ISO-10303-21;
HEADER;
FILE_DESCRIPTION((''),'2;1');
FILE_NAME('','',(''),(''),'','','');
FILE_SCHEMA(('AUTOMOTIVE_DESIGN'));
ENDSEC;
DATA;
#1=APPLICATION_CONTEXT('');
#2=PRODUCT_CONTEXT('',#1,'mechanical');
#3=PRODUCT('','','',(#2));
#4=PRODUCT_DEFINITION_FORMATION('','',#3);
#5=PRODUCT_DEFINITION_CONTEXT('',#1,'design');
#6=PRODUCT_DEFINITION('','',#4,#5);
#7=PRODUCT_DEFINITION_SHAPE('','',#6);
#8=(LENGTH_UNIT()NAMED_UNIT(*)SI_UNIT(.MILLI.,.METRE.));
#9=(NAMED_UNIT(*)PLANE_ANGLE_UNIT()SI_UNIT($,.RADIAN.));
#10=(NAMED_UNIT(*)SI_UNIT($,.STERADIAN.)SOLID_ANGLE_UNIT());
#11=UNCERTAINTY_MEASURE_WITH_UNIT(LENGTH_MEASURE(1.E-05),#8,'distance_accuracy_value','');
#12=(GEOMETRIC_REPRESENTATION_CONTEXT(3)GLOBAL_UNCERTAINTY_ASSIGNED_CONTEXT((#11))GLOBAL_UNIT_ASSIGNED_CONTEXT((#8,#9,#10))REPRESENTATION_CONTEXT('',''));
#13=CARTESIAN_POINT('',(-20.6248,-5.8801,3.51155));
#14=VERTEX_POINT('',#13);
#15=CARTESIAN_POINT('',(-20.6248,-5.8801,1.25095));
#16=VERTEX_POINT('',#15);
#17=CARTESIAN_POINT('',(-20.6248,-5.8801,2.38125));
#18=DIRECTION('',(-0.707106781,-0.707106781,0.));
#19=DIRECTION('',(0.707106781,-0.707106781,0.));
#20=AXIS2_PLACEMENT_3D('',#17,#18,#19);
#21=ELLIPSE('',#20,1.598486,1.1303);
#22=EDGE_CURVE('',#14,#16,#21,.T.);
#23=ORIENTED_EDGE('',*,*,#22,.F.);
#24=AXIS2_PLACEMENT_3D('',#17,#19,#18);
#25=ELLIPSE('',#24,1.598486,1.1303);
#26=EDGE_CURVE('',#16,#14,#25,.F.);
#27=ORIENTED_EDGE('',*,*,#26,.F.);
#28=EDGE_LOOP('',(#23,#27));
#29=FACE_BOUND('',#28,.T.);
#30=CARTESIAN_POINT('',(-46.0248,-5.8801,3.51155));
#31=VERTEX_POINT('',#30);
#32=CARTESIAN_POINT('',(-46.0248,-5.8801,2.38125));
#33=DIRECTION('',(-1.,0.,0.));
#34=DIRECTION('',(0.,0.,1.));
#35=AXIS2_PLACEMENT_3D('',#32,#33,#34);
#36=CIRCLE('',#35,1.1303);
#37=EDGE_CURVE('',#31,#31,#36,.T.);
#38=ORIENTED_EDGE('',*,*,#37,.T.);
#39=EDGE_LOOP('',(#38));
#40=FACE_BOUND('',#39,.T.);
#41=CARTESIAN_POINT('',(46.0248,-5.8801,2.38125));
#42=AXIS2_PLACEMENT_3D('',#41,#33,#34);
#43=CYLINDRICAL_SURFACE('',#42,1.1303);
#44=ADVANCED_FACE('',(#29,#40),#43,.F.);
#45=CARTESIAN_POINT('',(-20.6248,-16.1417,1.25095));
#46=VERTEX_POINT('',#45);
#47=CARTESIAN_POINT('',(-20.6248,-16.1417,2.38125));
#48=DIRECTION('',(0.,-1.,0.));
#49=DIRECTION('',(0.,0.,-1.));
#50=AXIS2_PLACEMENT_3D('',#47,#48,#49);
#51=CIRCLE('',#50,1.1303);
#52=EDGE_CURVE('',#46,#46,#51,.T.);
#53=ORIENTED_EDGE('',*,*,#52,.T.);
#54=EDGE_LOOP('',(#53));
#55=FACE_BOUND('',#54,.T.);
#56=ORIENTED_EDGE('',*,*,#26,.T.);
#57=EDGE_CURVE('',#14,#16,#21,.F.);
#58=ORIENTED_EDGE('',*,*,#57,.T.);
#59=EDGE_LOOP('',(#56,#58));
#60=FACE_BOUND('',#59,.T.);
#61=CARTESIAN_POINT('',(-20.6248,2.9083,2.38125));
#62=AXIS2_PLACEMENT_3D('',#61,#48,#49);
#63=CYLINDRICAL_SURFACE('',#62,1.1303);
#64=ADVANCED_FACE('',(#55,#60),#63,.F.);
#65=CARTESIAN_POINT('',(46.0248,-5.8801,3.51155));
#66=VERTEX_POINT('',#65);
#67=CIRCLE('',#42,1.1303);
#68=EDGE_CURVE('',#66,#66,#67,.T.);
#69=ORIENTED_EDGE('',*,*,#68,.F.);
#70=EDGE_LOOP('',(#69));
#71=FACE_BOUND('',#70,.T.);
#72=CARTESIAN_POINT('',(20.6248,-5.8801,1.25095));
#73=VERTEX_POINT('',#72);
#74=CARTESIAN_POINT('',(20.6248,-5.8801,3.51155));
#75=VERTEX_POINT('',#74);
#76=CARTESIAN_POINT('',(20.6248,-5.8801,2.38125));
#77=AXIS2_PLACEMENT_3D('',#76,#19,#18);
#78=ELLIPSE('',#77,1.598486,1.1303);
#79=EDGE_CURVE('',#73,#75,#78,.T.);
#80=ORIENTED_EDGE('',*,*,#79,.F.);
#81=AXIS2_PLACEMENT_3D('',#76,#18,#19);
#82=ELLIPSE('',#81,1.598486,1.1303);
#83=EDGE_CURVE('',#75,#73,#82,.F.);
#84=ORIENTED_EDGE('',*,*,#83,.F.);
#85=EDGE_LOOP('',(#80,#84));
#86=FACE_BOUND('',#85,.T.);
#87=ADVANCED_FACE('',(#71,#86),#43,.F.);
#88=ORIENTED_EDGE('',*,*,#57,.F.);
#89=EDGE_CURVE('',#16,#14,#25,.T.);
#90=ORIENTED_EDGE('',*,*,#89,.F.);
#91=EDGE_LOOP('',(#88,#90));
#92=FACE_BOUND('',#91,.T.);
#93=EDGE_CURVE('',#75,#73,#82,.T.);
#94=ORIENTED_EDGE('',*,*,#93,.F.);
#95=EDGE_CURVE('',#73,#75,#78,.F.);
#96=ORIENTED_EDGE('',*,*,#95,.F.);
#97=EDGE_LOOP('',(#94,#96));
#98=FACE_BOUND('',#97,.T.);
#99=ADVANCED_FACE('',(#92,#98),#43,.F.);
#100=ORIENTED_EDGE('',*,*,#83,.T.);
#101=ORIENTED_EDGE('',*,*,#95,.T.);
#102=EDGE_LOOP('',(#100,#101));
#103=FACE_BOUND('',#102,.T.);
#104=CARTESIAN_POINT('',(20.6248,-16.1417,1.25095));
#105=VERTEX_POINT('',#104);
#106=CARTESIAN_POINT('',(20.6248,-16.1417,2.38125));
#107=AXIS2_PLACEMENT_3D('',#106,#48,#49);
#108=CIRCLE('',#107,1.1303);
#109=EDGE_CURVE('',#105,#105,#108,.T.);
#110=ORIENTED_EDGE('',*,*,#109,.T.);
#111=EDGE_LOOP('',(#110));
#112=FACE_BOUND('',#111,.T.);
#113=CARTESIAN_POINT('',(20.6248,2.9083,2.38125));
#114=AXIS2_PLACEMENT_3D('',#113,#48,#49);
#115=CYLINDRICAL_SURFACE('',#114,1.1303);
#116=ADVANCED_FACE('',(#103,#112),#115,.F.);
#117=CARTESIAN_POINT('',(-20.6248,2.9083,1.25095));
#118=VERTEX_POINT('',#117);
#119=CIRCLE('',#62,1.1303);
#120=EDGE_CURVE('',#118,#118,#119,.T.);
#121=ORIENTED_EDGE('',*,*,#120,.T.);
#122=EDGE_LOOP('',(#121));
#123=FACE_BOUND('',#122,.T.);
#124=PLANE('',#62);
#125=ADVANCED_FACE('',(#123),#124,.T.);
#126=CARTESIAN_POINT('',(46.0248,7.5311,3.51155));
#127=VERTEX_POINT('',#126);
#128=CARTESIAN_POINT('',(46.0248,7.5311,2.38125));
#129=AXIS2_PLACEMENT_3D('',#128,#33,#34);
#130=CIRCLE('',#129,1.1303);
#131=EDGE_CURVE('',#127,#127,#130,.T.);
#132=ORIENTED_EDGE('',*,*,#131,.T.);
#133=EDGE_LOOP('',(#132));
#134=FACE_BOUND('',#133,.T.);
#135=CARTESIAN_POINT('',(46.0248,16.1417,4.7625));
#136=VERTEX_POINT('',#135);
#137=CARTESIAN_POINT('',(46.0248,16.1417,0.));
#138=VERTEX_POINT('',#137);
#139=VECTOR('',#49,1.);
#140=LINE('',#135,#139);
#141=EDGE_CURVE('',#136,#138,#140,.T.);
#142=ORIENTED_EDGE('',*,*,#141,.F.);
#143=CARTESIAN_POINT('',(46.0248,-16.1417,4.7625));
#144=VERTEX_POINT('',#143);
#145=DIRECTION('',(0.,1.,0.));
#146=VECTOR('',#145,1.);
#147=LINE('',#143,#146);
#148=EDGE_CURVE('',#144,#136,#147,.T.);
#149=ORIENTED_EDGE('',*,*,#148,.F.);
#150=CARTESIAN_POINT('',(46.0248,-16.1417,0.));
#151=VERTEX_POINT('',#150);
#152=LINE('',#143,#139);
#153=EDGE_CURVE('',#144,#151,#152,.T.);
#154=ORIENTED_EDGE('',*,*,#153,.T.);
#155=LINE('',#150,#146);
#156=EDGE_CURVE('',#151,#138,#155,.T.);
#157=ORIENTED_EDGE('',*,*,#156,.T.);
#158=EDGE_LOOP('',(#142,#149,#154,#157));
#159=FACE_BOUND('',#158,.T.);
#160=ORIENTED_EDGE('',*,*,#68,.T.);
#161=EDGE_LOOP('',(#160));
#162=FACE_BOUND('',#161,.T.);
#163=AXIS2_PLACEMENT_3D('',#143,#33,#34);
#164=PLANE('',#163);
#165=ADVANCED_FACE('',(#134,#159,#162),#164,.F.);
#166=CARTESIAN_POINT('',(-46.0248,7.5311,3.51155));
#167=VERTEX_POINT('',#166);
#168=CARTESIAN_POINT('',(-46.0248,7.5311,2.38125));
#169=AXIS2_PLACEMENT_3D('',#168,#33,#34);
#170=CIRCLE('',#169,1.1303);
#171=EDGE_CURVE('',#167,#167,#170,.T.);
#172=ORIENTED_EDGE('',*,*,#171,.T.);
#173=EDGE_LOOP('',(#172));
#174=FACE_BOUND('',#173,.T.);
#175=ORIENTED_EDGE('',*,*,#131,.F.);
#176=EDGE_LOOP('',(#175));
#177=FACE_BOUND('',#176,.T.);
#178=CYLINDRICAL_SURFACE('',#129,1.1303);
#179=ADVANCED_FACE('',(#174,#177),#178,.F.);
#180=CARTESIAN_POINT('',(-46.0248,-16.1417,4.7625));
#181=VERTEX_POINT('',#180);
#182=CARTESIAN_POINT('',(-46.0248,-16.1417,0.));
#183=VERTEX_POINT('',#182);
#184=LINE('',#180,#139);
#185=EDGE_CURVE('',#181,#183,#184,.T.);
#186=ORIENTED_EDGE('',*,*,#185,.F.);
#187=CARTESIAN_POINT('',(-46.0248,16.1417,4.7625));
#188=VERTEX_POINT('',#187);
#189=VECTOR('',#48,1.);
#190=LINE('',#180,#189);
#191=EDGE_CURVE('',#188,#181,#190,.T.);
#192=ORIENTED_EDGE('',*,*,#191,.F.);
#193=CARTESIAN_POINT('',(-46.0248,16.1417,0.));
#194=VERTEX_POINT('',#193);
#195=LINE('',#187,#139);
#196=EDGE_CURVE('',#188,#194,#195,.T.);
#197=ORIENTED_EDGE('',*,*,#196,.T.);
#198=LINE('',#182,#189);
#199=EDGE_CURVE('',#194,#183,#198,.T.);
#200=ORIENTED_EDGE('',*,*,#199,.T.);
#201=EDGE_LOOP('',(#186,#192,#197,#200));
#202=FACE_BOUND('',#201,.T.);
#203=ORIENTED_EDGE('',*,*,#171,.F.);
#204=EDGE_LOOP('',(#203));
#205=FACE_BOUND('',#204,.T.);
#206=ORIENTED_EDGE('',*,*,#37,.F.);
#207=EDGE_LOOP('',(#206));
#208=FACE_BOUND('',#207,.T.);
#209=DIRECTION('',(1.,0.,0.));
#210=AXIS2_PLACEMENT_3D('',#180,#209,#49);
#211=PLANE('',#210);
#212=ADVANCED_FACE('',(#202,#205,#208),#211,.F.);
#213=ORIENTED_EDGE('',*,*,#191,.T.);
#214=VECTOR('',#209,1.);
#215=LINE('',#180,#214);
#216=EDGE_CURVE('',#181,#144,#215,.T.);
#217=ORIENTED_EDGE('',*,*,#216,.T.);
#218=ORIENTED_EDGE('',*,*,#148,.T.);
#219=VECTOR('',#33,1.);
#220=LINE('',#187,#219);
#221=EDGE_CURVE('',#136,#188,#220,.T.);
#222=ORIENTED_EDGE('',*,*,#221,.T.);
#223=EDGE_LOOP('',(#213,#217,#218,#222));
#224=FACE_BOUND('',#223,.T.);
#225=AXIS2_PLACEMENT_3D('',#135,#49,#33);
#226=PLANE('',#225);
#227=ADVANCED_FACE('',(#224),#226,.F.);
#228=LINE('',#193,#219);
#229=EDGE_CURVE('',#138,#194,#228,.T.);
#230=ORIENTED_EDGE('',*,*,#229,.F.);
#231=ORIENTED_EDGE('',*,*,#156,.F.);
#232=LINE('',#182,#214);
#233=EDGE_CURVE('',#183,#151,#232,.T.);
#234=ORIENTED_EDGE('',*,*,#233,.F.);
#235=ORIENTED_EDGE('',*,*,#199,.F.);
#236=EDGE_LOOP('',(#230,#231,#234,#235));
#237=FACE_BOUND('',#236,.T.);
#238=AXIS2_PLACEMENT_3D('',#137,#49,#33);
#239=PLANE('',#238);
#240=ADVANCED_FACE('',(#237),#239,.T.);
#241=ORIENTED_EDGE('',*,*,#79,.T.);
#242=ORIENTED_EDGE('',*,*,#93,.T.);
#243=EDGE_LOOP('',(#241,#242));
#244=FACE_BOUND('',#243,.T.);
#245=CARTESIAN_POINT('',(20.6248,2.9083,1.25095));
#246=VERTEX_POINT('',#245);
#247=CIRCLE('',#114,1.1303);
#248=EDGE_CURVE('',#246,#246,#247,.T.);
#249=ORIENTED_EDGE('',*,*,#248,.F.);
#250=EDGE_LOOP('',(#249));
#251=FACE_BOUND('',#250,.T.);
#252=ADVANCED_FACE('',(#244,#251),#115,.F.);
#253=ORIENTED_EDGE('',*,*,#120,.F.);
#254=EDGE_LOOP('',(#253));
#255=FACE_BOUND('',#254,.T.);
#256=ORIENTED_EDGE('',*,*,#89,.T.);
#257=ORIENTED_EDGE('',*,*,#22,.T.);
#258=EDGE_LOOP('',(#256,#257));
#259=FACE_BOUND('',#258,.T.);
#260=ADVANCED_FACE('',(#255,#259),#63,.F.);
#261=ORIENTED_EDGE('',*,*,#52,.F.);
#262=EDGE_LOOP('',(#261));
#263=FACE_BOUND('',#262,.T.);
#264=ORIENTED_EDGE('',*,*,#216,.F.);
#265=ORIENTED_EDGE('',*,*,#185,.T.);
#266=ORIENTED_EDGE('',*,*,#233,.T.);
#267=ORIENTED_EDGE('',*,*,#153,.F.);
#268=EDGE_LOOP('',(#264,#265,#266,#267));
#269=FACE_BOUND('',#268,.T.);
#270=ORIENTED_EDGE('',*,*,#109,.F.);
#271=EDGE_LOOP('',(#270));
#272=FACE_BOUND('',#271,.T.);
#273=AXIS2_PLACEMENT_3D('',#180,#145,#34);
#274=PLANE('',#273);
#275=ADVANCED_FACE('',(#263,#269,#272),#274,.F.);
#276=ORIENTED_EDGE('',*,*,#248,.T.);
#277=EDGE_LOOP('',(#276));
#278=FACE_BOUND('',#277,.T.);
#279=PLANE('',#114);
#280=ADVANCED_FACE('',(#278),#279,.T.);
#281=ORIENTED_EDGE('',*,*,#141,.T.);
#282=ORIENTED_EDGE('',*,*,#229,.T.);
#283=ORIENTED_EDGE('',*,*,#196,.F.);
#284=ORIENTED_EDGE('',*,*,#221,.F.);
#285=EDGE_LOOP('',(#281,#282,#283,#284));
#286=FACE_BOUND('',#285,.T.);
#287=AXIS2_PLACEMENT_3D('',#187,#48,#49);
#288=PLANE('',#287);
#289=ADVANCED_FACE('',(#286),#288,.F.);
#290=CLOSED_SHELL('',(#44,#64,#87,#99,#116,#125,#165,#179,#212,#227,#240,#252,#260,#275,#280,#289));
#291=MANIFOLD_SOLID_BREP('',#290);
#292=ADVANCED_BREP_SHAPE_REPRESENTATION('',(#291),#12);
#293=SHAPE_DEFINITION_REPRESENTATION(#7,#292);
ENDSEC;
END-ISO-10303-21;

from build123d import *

# Parameters (mm, degrees)
SKETCH1_W           = 92.0496
SKETCH1_H           = 32.2834
BOSS_EXTRUDE1_DEPTH = 4.7625
SKETCH2_R           = 1.1303
CUT_EXTRUDE1_DEPTH  = 19.05
SKETCH3_R           = 1.1303
CUT_EXTRUDE2_DEPTH  = 94.57544948


with BuildPart() as part:
    # Sketch1 → Boss-Extrude1 (new body)
    with BuildSketch(Plane.XY):
        Rectangle(SKETCH1_W, SKETCH1_H)
    extrude(amount=BOSS_EXTRUDE1_DEPTH)

    # Sketch2 → Cut-Extrude1 (cut)
    with BuildSketch(Plane.XZ.offset(16.1417)):
        with Locations(Location((-20.6248, 2.38125, 0), (0, 0, 270))):
            Circle(SKETCH2_R)
        with Locations(Location((20.6248, 2.38125, 0), (0, 0, 270))):
            Circle(SKETCH2_R)
    extrude(amount=-CUT_EXTRUDE1_DEPTH, mode=Mode.SUBTRACT)

    # Sketch3 → Cut-Extrude2 (cut, through all)
    with BuildSketch(Plane.ZY.offset(46.0248)):
        with Locations((2.38125, 7.5311)):
            Circle(SKETCH3_R)
        with Locations((2.38125, -5.8801)):
            Circle(SKETCH3_R)
    extrude(amount=-CUT_EXTRUDE2_DEPTH, mode=Mode.SUBTRACT)


solid = part.part
